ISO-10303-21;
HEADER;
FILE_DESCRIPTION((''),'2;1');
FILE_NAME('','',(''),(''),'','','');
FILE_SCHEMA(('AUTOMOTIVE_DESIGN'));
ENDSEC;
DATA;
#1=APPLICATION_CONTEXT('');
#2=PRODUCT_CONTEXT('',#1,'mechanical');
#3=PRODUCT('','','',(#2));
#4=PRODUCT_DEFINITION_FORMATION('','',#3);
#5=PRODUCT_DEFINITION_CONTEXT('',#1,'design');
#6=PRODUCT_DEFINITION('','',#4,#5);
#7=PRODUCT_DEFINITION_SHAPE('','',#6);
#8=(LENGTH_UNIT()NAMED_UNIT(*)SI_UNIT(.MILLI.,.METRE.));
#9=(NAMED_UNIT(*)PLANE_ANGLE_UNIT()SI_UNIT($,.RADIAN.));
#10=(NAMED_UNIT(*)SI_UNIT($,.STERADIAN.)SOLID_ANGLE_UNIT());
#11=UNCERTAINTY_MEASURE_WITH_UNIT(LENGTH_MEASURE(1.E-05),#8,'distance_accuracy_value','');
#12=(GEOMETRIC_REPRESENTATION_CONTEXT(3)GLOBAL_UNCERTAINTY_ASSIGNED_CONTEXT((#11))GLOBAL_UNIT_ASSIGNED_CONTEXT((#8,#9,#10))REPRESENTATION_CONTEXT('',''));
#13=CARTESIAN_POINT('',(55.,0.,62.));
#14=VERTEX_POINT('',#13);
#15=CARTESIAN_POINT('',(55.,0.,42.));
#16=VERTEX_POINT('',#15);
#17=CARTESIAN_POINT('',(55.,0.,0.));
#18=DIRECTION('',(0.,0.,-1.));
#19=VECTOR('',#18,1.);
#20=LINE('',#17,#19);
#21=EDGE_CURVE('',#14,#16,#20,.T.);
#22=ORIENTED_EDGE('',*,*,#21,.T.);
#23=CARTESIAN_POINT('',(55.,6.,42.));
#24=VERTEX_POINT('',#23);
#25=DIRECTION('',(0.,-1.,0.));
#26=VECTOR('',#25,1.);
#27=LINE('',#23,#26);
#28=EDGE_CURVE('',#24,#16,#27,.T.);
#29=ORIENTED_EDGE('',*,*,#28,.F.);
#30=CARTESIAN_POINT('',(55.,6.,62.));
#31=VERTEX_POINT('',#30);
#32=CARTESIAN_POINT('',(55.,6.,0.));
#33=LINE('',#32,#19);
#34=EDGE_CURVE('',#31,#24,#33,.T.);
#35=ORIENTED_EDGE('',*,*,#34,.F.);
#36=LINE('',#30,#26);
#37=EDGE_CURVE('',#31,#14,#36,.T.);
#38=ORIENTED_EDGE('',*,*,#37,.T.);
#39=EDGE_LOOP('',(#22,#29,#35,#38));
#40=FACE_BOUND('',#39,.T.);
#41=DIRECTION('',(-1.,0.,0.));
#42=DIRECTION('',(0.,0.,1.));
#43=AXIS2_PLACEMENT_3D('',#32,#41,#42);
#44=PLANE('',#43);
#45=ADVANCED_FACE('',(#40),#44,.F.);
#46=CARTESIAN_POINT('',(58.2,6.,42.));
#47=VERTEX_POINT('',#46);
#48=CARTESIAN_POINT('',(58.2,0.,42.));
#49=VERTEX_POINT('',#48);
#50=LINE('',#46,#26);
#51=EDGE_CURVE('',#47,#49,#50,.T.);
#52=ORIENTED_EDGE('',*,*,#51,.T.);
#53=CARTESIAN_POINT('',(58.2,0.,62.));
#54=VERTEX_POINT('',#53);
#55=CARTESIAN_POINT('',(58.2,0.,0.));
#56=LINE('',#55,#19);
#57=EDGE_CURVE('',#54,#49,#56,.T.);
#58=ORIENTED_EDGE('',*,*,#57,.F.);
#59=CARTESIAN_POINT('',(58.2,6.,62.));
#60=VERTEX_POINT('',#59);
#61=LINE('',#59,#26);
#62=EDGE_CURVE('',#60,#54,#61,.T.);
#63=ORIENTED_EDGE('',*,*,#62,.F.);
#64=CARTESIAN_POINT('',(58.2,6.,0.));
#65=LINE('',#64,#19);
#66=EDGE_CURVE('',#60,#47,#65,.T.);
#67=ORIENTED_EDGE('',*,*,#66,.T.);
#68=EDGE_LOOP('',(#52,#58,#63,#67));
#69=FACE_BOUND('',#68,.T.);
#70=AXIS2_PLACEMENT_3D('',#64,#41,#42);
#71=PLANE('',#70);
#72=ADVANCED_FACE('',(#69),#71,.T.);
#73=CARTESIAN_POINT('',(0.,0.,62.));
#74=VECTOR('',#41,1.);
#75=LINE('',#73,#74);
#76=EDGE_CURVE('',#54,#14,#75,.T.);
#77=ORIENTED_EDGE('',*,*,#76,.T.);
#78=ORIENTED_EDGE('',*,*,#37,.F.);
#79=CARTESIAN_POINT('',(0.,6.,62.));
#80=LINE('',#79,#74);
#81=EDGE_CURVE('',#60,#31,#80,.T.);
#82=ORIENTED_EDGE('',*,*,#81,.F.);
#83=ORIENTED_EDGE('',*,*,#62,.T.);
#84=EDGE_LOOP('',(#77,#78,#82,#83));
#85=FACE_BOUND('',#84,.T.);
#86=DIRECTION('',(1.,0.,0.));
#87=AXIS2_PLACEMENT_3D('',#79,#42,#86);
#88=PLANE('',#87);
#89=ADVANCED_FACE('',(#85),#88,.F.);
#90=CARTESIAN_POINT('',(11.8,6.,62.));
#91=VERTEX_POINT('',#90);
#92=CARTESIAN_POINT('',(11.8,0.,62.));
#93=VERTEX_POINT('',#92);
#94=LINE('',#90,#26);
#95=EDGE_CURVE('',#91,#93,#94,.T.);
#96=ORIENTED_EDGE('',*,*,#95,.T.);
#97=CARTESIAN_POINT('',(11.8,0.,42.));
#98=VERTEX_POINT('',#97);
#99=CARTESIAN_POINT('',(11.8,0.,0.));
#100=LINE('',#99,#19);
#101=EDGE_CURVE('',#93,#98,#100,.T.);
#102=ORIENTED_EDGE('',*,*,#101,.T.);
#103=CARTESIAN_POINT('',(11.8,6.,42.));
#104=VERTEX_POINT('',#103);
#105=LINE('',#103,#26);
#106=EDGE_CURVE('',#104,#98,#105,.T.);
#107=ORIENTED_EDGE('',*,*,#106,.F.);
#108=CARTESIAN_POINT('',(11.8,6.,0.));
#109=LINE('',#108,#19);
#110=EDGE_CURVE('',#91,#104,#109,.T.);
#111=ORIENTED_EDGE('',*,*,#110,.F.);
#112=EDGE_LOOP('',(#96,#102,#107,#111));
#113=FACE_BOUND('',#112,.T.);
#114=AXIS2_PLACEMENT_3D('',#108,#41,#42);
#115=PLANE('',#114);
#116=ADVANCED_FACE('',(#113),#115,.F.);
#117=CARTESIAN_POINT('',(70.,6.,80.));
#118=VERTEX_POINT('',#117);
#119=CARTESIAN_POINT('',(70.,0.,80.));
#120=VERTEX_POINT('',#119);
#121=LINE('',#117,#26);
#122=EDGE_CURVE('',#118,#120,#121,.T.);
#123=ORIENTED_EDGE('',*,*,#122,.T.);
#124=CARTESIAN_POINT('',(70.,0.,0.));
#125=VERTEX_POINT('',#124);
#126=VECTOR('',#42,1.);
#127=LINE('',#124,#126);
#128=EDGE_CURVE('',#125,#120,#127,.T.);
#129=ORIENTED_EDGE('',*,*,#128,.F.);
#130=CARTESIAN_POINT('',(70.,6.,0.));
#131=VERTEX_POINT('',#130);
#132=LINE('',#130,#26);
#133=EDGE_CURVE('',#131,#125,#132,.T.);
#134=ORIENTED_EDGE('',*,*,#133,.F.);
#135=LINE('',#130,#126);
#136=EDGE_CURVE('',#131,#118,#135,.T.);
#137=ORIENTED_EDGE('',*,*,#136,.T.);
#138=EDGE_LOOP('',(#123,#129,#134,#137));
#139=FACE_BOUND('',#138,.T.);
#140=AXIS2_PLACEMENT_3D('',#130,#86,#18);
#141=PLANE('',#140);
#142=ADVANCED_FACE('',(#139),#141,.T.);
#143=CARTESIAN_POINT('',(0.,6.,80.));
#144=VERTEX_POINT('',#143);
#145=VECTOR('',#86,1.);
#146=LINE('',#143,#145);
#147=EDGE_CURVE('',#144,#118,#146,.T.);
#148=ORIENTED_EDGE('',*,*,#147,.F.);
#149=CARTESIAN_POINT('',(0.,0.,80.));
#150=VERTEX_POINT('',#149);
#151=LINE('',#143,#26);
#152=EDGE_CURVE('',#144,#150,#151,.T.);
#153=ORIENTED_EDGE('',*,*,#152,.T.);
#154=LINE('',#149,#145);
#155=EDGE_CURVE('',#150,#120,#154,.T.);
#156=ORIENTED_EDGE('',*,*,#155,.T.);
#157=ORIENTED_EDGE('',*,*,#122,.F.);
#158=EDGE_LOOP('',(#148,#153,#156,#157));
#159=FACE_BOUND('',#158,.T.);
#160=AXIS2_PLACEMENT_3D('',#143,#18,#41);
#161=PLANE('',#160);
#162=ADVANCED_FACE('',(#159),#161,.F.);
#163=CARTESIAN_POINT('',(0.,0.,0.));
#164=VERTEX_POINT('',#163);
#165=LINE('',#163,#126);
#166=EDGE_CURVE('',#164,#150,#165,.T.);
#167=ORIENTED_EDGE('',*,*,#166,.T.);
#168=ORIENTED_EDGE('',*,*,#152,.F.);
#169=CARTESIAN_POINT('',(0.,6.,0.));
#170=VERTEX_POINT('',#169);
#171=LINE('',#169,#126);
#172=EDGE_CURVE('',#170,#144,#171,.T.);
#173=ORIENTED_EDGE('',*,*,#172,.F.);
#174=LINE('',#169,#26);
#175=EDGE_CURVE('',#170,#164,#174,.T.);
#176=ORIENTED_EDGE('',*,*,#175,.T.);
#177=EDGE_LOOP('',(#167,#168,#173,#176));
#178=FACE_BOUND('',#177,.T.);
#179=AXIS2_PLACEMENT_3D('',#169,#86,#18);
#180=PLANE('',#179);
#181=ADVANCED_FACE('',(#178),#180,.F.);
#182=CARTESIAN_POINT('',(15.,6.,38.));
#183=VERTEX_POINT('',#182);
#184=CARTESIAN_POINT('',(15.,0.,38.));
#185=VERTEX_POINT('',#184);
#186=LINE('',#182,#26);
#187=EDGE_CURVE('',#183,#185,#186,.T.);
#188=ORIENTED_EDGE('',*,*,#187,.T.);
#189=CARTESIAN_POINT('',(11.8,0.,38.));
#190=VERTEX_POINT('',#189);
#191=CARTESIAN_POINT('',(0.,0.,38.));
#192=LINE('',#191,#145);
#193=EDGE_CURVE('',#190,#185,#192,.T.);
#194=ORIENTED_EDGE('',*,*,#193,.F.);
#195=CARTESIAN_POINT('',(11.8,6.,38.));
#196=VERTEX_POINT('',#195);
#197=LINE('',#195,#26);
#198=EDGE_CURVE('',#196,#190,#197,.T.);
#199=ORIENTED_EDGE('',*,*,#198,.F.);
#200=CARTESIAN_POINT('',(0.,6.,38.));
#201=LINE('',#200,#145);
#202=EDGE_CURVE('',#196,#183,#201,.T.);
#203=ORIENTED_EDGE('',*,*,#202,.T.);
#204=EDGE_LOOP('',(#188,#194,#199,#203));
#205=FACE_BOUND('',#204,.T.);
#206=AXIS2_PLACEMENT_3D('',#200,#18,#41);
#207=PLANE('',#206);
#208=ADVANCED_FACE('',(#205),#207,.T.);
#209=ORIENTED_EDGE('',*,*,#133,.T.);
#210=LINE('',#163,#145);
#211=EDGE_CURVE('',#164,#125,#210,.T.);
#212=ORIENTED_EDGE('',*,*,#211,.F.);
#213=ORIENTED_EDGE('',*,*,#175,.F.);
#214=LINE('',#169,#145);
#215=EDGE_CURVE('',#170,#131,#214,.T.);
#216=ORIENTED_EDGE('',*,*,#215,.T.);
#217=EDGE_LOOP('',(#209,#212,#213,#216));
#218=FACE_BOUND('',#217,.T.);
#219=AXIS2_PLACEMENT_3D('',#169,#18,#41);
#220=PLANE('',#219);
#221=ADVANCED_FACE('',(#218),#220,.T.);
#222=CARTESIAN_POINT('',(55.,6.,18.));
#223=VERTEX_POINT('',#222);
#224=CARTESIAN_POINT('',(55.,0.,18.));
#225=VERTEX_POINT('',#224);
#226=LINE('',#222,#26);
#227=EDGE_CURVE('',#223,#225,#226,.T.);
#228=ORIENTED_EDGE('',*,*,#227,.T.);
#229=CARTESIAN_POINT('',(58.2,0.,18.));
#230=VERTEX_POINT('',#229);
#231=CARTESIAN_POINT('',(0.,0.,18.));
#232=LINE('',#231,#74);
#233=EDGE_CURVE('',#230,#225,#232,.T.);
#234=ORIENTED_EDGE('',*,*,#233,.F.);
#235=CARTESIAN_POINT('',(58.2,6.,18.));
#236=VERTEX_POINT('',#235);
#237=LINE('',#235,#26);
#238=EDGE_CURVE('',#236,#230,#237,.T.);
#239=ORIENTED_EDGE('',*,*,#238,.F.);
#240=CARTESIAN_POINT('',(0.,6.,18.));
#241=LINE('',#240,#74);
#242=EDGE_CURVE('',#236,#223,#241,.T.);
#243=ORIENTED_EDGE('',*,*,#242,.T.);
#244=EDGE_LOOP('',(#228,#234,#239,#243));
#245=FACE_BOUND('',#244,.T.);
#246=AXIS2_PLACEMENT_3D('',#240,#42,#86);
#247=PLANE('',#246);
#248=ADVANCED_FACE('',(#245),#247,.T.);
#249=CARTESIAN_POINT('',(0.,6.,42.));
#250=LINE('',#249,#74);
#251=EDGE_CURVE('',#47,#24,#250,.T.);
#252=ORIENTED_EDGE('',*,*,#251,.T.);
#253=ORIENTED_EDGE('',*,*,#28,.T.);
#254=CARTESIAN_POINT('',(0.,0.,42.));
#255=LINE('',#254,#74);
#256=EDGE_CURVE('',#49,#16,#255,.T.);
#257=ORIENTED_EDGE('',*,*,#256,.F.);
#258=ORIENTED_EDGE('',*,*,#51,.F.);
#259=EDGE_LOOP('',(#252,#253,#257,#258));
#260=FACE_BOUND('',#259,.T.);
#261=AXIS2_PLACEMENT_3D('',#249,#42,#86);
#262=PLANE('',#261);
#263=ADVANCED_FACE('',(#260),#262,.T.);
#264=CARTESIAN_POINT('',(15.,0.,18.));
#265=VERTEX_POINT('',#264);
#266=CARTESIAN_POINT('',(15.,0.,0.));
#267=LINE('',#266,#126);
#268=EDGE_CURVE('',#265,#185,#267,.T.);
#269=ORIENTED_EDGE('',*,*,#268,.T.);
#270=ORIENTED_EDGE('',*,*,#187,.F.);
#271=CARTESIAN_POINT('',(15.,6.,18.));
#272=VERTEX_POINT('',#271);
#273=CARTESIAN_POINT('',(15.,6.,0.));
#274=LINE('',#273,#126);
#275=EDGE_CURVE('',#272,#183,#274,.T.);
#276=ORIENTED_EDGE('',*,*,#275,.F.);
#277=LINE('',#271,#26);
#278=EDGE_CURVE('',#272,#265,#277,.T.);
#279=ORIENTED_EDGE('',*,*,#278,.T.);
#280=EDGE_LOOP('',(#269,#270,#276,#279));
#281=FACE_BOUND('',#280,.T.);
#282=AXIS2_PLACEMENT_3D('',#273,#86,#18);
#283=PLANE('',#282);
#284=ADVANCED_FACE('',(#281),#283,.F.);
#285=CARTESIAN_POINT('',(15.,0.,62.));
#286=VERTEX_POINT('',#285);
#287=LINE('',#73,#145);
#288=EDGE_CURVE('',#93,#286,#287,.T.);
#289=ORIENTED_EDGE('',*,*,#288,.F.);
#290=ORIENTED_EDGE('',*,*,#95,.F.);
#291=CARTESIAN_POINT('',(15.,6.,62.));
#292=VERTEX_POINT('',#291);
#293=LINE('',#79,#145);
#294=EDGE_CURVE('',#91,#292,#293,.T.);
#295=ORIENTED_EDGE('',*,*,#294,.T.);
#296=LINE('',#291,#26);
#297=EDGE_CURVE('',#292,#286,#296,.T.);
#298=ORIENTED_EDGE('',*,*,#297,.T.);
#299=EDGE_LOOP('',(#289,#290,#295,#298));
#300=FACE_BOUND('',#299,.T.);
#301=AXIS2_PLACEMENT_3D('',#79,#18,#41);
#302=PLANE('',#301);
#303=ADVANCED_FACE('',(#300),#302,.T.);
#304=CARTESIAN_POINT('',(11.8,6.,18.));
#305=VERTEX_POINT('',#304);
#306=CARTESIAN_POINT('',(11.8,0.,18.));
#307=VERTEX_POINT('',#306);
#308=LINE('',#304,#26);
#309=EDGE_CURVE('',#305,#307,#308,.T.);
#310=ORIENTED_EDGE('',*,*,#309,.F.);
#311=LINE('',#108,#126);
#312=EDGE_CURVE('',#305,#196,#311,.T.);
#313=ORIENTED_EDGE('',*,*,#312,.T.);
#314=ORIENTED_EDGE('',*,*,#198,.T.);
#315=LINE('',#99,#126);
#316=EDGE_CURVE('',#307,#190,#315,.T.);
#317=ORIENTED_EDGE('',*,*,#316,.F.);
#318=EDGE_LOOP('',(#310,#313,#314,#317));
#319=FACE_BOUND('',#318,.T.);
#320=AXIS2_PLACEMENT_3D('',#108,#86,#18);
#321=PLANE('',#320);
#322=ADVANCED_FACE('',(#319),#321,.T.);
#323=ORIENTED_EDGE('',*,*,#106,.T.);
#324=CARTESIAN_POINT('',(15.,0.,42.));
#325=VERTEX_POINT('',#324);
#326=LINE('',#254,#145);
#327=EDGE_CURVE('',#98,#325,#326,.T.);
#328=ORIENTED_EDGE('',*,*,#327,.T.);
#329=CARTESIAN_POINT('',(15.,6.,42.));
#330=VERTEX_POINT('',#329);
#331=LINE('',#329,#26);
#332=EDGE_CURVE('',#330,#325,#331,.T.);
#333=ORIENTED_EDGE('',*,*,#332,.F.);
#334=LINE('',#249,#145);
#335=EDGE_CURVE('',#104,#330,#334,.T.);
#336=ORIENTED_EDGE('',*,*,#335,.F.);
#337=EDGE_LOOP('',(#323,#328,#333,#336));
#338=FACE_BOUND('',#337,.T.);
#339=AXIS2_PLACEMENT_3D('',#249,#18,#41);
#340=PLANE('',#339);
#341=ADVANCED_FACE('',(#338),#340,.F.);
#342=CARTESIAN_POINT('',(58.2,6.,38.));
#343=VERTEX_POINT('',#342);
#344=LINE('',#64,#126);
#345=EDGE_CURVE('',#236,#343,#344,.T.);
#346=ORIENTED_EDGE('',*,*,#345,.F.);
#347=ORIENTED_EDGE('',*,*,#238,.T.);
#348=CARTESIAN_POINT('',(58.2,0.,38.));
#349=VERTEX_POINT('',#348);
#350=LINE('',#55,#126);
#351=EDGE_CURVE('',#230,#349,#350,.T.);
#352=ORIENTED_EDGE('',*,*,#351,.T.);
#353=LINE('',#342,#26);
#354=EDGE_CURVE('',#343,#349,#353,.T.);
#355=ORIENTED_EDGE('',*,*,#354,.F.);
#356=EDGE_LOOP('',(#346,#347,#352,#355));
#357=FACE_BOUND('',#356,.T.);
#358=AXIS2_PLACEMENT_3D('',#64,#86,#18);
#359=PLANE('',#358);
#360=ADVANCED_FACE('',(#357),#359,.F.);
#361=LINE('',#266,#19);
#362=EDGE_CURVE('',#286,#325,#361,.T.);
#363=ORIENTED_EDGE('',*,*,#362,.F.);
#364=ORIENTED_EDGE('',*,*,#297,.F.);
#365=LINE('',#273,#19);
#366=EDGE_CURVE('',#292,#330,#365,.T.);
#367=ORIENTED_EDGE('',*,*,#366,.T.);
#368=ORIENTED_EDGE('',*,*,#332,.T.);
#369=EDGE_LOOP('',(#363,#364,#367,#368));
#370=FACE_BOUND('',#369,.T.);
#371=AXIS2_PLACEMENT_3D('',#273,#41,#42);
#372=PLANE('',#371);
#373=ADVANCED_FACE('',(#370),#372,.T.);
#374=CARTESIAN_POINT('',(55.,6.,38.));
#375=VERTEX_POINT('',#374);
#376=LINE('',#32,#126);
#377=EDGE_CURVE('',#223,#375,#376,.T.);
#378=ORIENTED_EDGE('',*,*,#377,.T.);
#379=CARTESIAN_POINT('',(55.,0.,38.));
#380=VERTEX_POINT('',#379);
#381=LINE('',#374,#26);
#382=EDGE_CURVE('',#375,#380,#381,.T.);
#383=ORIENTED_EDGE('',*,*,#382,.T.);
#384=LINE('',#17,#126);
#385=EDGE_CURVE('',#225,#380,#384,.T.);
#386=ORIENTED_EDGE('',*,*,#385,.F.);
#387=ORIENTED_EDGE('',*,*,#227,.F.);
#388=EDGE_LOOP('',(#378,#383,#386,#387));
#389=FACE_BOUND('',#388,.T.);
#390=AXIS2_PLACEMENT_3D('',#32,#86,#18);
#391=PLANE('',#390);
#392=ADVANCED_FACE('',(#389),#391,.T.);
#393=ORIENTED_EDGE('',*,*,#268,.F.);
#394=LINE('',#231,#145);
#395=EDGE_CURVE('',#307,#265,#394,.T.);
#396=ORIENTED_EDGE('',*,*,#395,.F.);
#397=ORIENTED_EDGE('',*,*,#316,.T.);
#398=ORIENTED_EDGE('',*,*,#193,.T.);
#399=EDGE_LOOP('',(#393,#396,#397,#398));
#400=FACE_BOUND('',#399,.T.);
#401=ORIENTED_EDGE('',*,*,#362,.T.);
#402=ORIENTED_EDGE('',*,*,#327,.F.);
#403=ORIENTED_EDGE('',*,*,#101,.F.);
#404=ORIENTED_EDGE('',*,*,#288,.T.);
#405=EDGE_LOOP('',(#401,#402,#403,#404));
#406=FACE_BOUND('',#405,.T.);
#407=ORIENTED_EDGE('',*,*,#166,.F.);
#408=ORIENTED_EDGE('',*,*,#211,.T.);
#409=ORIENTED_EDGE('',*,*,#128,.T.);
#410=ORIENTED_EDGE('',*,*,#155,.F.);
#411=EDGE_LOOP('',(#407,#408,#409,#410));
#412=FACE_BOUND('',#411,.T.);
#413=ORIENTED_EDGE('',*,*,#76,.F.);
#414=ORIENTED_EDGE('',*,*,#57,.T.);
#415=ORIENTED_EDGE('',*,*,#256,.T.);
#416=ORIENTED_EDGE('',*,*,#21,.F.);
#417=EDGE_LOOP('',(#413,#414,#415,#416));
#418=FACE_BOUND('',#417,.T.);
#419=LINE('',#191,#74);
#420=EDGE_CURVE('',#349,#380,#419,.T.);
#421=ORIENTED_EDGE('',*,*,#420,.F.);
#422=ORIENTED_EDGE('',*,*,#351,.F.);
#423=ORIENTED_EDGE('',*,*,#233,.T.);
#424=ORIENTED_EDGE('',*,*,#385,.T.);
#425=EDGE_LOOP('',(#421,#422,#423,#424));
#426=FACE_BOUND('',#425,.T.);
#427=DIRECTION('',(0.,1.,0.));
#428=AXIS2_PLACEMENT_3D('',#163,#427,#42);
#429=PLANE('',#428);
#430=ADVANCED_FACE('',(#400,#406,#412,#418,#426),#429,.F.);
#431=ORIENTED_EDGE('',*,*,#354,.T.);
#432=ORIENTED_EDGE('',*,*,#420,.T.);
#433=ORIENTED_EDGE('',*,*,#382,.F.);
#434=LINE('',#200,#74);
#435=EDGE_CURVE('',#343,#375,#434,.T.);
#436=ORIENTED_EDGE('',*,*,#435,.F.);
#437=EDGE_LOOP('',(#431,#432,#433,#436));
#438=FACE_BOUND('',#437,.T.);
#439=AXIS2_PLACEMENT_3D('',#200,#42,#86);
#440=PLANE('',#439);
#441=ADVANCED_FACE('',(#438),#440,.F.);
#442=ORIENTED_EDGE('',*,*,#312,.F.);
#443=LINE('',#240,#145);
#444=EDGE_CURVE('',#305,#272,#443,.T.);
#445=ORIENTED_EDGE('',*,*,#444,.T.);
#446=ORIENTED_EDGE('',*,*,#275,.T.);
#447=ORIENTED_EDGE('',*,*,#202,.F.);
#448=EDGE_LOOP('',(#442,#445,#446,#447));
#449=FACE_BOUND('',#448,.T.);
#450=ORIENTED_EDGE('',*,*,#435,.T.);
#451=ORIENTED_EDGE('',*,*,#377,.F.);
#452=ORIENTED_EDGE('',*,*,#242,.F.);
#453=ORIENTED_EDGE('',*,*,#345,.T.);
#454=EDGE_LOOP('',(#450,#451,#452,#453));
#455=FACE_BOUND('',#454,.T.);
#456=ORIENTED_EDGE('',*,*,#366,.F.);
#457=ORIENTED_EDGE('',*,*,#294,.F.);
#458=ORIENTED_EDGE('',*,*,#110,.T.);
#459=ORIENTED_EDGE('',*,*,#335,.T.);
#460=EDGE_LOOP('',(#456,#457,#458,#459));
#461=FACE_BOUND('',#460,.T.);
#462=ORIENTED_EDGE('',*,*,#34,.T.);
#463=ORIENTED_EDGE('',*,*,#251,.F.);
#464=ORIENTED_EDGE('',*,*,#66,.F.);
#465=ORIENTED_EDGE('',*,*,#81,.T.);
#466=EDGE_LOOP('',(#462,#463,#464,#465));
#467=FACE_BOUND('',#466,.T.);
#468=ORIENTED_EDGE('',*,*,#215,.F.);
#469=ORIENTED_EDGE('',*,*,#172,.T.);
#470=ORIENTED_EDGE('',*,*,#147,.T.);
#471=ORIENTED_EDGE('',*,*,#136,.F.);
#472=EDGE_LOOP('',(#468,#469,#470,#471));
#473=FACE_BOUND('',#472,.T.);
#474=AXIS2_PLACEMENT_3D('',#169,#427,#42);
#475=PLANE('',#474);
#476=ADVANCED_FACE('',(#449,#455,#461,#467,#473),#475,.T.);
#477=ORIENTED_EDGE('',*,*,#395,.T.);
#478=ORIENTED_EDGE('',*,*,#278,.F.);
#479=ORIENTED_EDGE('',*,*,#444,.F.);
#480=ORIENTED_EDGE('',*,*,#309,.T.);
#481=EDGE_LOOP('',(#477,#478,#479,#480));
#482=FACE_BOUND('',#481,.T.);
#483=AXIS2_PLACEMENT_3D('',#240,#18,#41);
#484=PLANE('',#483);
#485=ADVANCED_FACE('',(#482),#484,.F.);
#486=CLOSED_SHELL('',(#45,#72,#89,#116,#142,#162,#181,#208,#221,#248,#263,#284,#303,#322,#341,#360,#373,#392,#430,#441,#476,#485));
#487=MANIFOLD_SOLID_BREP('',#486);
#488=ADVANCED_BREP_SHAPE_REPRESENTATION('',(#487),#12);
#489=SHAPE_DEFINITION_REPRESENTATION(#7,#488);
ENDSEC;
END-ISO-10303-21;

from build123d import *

# Parameters (mm, degrees)
SKETCH_1_W      = 70
SKETCH_1_H      = 80
SKETCH_1_W_2    = 3.2
SKETCH_1_H_2    = 20
EXTRUDE_1_DEPTH = 6


with BuildPart() as part:
    # 草图1 → 凸台-拉伸1 (new body)
    with BuildSketch(Plane(origin=(0, 0, 0), x_dir=(1, 0, 0), z_dir=(0, 1, 0))):
        with Locations((35, -40)):
            Rectangle(SKETCH_1_W, SKETCH_1_H)
        with Locations((13.4, -28)):
            Rectangle(SKETCH_1_W_2, SKETCH_1_H_2, mode=Mode.SUBTRACT)
        with Locations((13.4, -52)):
            Rectangle(SKETCH_1_W_2, SKETCH_1_H_2, mode=Mode.SUBTRACT)
        with Locations((56.6, -52)):
            Rectangle(SKETCH_1_W_2, SKETCH_1_H_2, mode=Mode.SUBTRACT)
        with Locations((56.6, -28)):
            Rectangle(SKETCH_1_W_2, SKETCH_1_H_2, mode=Mode.SUBTRACT)
    extrude(amount=EXTRUDE_1_DEPTH)


solid = part.part
